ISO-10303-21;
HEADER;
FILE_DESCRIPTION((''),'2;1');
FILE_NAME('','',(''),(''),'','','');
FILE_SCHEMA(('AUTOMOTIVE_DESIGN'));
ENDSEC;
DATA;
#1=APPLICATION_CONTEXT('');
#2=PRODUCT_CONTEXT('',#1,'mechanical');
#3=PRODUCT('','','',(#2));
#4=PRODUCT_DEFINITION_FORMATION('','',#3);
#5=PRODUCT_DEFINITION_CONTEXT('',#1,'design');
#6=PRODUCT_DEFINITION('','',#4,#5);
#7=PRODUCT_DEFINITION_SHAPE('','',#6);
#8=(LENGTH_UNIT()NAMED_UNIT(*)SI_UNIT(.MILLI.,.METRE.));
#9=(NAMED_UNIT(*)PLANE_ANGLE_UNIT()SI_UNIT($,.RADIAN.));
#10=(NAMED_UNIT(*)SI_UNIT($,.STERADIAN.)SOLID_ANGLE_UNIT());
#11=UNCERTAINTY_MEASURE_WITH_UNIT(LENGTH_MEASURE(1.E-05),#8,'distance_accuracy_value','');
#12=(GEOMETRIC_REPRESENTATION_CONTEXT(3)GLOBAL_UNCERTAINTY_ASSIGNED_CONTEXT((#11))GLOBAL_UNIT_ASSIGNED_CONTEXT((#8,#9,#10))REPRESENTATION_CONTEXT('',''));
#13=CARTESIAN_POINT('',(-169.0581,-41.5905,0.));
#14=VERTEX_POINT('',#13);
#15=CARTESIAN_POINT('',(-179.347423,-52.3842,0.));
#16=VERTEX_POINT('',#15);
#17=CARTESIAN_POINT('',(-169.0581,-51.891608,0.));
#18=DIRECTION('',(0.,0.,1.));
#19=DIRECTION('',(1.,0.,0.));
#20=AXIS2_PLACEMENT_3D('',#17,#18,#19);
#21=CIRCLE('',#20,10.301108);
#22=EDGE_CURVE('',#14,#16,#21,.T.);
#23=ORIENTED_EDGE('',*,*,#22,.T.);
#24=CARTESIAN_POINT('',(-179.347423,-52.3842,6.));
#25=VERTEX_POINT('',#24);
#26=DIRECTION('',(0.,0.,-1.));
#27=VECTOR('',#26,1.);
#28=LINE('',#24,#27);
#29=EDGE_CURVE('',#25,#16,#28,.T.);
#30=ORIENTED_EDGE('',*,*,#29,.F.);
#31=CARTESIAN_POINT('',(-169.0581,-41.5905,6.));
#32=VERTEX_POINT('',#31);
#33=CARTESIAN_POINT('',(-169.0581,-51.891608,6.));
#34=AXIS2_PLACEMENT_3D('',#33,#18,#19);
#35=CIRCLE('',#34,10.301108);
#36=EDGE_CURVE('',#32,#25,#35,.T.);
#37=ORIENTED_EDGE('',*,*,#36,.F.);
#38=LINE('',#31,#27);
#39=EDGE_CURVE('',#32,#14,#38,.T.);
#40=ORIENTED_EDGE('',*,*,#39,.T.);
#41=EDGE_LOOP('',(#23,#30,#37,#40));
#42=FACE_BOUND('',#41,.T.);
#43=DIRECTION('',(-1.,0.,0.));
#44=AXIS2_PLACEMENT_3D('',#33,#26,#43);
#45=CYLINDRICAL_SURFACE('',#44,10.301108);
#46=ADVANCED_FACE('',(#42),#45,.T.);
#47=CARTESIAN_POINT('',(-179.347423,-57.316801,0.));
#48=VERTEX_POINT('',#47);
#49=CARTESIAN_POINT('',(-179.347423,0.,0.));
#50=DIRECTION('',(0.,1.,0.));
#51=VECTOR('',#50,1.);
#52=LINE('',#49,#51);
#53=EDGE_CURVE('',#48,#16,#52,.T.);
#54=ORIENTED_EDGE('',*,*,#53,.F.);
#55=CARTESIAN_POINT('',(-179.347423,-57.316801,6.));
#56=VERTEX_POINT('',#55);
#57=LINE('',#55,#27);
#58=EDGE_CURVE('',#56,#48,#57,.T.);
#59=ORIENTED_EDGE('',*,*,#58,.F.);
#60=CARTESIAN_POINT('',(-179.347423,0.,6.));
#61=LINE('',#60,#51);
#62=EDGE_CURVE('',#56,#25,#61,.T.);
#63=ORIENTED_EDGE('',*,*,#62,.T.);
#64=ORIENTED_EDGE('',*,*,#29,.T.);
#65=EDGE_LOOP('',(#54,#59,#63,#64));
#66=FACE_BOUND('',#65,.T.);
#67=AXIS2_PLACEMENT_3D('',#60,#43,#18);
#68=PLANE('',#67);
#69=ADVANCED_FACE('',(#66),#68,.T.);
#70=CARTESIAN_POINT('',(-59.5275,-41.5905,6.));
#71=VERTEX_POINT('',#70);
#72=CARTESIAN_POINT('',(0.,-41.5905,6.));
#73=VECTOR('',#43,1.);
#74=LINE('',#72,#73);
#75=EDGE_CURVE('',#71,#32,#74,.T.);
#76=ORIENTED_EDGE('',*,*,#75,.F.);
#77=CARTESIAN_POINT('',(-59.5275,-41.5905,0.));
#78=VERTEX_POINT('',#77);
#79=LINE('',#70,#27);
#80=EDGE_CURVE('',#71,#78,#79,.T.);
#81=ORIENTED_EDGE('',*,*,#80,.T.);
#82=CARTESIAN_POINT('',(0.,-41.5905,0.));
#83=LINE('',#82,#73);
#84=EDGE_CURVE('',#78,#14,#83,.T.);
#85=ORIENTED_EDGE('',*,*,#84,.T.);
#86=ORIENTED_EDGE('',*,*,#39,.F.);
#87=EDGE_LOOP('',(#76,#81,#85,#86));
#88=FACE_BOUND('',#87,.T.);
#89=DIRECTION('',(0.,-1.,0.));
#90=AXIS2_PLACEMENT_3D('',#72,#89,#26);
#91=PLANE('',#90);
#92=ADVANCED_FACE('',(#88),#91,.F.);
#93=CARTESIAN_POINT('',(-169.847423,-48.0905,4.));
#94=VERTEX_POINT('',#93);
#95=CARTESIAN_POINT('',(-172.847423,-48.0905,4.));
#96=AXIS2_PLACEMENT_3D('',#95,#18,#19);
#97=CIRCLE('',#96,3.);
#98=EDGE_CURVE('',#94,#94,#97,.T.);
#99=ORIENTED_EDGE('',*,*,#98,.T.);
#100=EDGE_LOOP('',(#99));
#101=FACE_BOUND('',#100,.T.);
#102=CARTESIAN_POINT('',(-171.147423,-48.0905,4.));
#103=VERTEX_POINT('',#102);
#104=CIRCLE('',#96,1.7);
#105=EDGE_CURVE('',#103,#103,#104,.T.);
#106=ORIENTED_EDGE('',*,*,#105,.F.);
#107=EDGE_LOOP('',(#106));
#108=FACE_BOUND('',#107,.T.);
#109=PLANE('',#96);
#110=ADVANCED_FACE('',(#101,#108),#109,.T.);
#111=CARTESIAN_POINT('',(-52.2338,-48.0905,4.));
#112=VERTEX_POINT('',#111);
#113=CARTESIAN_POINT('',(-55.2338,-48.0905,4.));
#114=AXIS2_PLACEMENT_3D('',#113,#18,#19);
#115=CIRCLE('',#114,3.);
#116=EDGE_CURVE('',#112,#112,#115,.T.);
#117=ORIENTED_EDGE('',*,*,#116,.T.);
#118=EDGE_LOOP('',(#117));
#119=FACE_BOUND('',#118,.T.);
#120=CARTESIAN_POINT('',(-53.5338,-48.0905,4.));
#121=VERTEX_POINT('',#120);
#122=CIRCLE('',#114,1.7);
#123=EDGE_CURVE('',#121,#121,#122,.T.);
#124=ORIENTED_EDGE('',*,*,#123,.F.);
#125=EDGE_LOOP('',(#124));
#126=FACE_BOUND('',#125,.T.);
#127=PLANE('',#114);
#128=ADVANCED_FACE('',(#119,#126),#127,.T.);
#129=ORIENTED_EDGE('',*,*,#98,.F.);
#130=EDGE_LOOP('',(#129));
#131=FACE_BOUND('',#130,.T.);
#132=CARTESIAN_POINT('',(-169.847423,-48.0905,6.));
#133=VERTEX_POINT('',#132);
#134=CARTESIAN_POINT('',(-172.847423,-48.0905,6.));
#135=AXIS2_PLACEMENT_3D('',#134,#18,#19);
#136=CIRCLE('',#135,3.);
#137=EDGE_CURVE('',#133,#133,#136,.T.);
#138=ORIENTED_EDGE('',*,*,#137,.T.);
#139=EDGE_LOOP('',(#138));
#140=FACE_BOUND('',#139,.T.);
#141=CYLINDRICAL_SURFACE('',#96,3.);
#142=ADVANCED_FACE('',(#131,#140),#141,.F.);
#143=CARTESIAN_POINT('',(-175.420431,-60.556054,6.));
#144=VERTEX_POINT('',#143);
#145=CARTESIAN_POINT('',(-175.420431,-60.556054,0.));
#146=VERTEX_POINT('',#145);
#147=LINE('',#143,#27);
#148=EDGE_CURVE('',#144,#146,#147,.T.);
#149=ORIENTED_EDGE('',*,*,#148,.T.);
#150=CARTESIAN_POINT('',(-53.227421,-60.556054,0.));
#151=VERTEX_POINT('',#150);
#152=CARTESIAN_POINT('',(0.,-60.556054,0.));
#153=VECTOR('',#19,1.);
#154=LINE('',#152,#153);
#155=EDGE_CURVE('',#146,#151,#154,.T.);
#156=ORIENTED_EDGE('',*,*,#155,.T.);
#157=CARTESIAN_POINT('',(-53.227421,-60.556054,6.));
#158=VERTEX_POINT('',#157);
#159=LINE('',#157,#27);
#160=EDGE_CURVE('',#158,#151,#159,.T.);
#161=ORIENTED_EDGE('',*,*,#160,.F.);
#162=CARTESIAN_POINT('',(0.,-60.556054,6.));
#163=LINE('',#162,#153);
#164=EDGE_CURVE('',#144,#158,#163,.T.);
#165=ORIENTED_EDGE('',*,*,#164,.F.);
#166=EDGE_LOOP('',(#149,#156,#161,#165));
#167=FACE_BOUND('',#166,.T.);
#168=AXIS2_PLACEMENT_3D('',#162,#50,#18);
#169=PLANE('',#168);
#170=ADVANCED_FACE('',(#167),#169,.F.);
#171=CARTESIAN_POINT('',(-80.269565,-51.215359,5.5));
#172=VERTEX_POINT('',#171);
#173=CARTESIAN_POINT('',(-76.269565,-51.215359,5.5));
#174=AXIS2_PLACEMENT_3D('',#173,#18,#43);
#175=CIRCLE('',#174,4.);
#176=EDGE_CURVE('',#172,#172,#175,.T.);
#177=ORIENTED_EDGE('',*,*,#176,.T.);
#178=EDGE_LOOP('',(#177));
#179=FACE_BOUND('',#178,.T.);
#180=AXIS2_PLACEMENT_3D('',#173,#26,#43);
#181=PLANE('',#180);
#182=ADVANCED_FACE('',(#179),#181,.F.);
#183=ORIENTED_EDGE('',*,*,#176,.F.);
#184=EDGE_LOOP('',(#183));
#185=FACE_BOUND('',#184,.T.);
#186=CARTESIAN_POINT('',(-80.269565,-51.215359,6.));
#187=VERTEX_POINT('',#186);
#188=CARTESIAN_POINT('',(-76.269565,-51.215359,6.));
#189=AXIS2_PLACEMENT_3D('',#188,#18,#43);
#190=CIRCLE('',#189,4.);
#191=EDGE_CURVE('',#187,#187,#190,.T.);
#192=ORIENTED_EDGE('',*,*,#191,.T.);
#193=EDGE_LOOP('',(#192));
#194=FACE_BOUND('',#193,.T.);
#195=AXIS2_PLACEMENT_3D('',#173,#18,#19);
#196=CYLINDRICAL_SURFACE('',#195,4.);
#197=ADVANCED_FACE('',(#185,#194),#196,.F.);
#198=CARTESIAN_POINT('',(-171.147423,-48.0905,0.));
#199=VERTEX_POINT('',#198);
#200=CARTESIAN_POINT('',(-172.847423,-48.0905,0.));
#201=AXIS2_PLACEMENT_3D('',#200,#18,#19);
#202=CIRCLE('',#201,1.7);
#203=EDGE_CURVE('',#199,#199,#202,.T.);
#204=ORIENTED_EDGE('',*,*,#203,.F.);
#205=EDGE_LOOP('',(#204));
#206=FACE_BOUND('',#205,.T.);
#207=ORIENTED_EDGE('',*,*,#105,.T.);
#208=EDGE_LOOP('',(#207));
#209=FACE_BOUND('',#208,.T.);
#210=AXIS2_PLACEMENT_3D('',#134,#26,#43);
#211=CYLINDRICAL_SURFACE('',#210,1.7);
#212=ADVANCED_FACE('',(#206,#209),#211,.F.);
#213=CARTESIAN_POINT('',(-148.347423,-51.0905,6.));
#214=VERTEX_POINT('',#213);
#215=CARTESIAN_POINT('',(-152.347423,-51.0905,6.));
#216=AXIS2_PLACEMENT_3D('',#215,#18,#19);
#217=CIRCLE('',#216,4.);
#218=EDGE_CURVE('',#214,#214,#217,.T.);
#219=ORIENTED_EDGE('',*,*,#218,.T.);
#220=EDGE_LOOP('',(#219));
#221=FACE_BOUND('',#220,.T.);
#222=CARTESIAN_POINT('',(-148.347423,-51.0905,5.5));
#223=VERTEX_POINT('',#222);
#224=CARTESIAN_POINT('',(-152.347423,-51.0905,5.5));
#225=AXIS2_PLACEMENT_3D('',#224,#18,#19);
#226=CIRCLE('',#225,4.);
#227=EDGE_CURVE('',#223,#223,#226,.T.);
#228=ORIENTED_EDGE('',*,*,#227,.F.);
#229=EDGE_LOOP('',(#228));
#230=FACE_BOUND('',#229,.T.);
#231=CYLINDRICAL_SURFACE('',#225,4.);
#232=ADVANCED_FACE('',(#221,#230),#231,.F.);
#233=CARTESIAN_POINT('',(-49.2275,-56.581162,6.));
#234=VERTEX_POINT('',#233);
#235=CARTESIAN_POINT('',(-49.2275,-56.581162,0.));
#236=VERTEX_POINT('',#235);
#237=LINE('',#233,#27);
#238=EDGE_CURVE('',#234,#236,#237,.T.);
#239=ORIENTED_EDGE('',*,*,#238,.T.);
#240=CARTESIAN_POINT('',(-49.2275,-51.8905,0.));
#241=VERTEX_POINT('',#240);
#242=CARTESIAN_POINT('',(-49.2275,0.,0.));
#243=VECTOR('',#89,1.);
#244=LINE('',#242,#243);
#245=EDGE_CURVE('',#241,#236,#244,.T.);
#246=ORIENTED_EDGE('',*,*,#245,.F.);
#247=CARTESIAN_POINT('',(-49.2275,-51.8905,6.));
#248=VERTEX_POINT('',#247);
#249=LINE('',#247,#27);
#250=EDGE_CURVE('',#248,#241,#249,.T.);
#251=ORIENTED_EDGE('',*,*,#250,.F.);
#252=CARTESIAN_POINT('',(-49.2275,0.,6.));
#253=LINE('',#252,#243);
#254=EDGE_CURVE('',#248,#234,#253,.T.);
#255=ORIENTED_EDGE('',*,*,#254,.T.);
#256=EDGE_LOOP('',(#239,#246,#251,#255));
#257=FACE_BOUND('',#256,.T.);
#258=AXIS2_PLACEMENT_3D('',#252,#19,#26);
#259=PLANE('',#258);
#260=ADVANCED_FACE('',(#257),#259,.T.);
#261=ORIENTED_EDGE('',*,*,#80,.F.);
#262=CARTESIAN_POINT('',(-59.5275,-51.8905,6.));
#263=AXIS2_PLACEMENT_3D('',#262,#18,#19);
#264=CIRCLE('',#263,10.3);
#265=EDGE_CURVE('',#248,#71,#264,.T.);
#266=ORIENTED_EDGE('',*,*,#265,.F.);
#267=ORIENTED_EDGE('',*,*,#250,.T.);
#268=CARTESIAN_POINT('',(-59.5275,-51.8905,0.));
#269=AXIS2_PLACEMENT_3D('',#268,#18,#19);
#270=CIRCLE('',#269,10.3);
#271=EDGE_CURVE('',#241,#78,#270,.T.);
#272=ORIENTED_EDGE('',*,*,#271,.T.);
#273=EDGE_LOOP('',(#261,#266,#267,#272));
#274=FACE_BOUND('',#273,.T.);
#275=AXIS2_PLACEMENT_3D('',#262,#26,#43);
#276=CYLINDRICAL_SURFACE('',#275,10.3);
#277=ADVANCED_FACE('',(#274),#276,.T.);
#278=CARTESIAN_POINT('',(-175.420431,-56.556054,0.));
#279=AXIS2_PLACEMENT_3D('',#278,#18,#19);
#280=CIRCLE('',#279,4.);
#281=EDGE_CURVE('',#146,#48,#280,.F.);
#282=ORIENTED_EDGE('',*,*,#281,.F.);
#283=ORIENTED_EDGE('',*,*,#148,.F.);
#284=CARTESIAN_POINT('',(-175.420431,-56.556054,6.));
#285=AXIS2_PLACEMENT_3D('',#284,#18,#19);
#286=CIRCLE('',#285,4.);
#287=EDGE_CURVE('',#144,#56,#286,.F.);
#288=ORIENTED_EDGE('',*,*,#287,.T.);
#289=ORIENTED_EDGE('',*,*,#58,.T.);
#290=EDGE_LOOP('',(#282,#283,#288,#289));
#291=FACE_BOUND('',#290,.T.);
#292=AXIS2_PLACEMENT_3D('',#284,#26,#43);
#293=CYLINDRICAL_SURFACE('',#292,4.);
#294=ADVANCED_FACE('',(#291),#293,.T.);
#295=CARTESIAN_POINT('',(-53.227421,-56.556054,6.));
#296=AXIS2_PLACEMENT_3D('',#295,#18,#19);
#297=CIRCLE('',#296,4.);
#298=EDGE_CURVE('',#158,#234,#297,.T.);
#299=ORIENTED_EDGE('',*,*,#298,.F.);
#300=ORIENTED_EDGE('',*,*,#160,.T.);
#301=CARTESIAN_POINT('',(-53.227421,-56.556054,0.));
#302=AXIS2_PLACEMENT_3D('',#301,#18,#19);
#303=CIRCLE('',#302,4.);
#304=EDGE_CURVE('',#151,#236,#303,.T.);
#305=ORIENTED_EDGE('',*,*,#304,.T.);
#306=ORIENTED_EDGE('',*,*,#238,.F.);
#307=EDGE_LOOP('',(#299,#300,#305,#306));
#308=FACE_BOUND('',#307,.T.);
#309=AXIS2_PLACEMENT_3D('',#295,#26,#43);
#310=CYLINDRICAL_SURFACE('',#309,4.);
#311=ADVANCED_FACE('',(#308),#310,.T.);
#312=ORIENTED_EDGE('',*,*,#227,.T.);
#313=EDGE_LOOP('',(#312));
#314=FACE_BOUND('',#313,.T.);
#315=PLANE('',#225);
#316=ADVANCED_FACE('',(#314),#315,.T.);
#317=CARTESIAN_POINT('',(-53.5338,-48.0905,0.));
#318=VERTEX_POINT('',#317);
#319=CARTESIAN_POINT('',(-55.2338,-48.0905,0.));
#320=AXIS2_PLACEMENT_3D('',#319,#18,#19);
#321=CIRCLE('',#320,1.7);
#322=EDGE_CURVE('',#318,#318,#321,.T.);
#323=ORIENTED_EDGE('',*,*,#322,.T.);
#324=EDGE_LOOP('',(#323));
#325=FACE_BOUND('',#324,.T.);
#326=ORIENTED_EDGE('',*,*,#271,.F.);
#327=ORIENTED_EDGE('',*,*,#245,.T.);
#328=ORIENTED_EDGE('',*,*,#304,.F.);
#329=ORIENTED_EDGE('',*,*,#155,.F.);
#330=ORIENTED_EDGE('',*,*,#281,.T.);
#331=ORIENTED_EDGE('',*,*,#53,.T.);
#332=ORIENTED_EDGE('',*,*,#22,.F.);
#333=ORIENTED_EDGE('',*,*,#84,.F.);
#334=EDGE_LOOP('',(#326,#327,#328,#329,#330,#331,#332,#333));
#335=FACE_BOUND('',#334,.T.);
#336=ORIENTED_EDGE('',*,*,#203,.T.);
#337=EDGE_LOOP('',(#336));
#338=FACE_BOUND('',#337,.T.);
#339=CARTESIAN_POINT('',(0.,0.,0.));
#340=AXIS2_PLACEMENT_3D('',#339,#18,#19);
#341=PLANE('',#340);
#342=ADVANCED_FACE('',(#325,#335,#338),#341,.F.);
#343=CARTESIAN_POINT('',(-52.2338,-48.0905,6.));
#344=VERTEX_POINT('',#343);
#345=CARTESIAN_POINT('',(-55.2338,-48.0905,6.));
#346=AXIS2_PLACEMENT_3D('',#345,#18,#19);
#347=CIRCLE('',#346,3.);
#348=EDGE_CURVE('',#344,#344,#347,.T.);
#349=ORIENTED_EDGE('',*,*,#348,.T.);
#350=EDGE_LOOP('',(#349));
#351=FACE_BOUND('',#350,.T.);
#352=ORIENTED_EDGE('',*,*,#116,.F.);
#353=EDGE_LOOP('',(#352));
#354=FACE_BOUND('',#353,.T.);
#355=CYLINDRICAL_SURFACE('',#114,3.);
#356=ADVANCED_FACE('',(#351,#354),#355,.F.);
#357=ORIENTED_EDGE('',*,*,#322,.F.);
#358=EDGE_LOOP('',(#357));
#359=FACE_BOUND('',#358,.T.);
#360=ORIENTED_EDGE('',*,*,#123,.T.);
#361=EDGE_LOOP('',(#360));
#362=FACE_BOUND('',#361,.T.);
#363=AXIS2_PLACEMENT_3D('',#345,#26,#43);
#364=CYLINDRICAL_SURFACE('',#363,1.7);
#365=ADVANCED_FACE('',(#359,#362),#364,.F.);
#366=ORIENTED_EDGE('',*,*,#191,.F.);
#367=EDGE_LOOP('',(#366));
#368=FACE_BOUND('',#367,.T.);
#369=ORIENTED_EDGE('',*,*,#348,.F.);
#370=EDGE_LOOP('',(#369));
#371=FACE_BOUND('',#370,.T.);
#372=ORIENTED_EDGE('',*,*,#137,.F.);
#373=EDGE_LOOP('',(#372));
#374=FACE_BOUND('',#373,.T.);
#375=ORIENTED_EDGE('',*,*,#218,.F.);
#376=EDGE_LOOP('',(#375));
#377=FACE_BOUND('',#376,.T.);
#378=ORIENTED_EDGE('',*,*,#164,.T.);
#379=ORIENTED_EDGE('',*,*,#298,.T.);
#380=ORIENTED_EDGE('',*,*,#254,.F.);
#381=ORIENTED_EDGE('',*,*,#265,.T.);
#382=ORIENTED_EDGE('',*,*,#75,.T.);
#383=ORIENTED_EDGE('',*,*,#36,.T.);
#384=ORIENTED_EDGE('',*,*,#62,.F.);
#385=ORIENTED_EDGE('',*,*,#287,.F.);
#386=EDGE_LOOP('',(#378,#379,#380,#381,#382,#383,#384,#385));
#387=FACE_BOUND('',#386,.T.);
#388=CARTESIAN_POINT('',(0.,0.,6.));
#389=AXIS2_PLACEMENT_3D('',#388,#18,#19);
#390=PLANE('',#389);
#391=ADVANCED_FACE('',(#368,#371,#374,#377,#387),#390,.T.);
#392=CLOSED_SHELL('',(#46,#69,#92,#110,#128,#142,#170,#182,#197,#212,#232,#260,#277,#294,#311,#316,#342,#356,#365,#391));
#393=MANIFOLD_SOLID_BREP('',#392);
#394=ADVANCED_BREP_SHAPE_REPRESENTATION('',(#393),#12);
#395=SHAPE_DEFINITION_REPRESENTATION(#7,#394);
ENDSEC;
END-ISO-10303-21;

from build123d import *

# Parameters (mm, degrees)
SKIZZE1_R                       = 1.7
AUFSATZ_LINEAR_AUSTRAGEN1_DEPTH = 6
SKIZZE2_R                       = 4
SCHNITT_LINEAR_AUSTRAGEN1_DEPTH = 0.5
SKIZZE3_R                       = 3
SCHNITT_LINEAR_AUSTRAGEN2_DEPTH = 2


with BuildPart() as part:
    # Skizze1 → Aufsatz-Linear austragen1 (new body)
    with BuildSketch(Plane.XY):
        with BuildLine():
            Line((-49.2275, -51.8905), (-49.2275, -56.581162408))
            ThreePointArc((-49.2275, -56.581162408), (-50.407885162, -59.393344486), (-53.227421196, -60.556054132))
            Line((-53.227421196, -60.556054132), (-175.420431309, -60.556054132))
            ThreePointArc((-175.420431309, -60.556054132), (-177.965722471, -59.641745773), (-179.34742314, -57.316800583))
            Line((-179.34742314, -57.316800583), (-179.34742314, -52.3842))
            ThreePointArc((-179.34742314, -52.3842), (-176.514207067, -44.783915623), (-169.0581, -41.5905))
            Line((-169.0581, -41.5905), (-59.5275, -41.5905))
            ThreePointArc((-59.5275, -41.5905), (-52.244300154, -44.607300154), (-49.2275, -51.8905))
        make_face()
        with Locations((-55.2338, -48.0905)):
            Circle(SKIZZE1_R, mode=Mode.SUBTRACT)
        with Locations((-172.84742314, -48.0905)):
            Circle(SKIZZE1_R, mode=Mode.SUBTRACT)
    extrude(amount=AUFSATZ_LINEAR_AUSTRAGEN1_DEPTH)

    # Skizze2 → Schnitt-Linear austragen1 (cut)
    with BuildSketch(Plane.XY.offset(6)):
        with Locations((-152.34742314, -51.0905)):
            Circle(SKIZZE2_R)
        with Locations(Location((-76.269564564, -51.215358923, 0), (0, 0, 180))):
            Circle(SKIZZE2_R)
    extrude(amount=-SCHNITT_LINEAR_AUSTRAGEN1_DEPTH, mode=Mode.SUBTRACT)

    # Skizze3 → Schnitt-Linear austragen2 (cut)
    with BuildSketch(Plane.XY.offset(6)):
        with Locations((-172.84742314, -48.0905)):
            Circle(SKIZZE3_R)
        with Locations((-55.2338, -48.0905)):
            Circle(SKIZZE3_R)
    extrude(amount=-SCHNITT_LINEAR_AUSTRAGEN2_DEPTH, mode=Mode.SUBTRACT)


solid = part.part
